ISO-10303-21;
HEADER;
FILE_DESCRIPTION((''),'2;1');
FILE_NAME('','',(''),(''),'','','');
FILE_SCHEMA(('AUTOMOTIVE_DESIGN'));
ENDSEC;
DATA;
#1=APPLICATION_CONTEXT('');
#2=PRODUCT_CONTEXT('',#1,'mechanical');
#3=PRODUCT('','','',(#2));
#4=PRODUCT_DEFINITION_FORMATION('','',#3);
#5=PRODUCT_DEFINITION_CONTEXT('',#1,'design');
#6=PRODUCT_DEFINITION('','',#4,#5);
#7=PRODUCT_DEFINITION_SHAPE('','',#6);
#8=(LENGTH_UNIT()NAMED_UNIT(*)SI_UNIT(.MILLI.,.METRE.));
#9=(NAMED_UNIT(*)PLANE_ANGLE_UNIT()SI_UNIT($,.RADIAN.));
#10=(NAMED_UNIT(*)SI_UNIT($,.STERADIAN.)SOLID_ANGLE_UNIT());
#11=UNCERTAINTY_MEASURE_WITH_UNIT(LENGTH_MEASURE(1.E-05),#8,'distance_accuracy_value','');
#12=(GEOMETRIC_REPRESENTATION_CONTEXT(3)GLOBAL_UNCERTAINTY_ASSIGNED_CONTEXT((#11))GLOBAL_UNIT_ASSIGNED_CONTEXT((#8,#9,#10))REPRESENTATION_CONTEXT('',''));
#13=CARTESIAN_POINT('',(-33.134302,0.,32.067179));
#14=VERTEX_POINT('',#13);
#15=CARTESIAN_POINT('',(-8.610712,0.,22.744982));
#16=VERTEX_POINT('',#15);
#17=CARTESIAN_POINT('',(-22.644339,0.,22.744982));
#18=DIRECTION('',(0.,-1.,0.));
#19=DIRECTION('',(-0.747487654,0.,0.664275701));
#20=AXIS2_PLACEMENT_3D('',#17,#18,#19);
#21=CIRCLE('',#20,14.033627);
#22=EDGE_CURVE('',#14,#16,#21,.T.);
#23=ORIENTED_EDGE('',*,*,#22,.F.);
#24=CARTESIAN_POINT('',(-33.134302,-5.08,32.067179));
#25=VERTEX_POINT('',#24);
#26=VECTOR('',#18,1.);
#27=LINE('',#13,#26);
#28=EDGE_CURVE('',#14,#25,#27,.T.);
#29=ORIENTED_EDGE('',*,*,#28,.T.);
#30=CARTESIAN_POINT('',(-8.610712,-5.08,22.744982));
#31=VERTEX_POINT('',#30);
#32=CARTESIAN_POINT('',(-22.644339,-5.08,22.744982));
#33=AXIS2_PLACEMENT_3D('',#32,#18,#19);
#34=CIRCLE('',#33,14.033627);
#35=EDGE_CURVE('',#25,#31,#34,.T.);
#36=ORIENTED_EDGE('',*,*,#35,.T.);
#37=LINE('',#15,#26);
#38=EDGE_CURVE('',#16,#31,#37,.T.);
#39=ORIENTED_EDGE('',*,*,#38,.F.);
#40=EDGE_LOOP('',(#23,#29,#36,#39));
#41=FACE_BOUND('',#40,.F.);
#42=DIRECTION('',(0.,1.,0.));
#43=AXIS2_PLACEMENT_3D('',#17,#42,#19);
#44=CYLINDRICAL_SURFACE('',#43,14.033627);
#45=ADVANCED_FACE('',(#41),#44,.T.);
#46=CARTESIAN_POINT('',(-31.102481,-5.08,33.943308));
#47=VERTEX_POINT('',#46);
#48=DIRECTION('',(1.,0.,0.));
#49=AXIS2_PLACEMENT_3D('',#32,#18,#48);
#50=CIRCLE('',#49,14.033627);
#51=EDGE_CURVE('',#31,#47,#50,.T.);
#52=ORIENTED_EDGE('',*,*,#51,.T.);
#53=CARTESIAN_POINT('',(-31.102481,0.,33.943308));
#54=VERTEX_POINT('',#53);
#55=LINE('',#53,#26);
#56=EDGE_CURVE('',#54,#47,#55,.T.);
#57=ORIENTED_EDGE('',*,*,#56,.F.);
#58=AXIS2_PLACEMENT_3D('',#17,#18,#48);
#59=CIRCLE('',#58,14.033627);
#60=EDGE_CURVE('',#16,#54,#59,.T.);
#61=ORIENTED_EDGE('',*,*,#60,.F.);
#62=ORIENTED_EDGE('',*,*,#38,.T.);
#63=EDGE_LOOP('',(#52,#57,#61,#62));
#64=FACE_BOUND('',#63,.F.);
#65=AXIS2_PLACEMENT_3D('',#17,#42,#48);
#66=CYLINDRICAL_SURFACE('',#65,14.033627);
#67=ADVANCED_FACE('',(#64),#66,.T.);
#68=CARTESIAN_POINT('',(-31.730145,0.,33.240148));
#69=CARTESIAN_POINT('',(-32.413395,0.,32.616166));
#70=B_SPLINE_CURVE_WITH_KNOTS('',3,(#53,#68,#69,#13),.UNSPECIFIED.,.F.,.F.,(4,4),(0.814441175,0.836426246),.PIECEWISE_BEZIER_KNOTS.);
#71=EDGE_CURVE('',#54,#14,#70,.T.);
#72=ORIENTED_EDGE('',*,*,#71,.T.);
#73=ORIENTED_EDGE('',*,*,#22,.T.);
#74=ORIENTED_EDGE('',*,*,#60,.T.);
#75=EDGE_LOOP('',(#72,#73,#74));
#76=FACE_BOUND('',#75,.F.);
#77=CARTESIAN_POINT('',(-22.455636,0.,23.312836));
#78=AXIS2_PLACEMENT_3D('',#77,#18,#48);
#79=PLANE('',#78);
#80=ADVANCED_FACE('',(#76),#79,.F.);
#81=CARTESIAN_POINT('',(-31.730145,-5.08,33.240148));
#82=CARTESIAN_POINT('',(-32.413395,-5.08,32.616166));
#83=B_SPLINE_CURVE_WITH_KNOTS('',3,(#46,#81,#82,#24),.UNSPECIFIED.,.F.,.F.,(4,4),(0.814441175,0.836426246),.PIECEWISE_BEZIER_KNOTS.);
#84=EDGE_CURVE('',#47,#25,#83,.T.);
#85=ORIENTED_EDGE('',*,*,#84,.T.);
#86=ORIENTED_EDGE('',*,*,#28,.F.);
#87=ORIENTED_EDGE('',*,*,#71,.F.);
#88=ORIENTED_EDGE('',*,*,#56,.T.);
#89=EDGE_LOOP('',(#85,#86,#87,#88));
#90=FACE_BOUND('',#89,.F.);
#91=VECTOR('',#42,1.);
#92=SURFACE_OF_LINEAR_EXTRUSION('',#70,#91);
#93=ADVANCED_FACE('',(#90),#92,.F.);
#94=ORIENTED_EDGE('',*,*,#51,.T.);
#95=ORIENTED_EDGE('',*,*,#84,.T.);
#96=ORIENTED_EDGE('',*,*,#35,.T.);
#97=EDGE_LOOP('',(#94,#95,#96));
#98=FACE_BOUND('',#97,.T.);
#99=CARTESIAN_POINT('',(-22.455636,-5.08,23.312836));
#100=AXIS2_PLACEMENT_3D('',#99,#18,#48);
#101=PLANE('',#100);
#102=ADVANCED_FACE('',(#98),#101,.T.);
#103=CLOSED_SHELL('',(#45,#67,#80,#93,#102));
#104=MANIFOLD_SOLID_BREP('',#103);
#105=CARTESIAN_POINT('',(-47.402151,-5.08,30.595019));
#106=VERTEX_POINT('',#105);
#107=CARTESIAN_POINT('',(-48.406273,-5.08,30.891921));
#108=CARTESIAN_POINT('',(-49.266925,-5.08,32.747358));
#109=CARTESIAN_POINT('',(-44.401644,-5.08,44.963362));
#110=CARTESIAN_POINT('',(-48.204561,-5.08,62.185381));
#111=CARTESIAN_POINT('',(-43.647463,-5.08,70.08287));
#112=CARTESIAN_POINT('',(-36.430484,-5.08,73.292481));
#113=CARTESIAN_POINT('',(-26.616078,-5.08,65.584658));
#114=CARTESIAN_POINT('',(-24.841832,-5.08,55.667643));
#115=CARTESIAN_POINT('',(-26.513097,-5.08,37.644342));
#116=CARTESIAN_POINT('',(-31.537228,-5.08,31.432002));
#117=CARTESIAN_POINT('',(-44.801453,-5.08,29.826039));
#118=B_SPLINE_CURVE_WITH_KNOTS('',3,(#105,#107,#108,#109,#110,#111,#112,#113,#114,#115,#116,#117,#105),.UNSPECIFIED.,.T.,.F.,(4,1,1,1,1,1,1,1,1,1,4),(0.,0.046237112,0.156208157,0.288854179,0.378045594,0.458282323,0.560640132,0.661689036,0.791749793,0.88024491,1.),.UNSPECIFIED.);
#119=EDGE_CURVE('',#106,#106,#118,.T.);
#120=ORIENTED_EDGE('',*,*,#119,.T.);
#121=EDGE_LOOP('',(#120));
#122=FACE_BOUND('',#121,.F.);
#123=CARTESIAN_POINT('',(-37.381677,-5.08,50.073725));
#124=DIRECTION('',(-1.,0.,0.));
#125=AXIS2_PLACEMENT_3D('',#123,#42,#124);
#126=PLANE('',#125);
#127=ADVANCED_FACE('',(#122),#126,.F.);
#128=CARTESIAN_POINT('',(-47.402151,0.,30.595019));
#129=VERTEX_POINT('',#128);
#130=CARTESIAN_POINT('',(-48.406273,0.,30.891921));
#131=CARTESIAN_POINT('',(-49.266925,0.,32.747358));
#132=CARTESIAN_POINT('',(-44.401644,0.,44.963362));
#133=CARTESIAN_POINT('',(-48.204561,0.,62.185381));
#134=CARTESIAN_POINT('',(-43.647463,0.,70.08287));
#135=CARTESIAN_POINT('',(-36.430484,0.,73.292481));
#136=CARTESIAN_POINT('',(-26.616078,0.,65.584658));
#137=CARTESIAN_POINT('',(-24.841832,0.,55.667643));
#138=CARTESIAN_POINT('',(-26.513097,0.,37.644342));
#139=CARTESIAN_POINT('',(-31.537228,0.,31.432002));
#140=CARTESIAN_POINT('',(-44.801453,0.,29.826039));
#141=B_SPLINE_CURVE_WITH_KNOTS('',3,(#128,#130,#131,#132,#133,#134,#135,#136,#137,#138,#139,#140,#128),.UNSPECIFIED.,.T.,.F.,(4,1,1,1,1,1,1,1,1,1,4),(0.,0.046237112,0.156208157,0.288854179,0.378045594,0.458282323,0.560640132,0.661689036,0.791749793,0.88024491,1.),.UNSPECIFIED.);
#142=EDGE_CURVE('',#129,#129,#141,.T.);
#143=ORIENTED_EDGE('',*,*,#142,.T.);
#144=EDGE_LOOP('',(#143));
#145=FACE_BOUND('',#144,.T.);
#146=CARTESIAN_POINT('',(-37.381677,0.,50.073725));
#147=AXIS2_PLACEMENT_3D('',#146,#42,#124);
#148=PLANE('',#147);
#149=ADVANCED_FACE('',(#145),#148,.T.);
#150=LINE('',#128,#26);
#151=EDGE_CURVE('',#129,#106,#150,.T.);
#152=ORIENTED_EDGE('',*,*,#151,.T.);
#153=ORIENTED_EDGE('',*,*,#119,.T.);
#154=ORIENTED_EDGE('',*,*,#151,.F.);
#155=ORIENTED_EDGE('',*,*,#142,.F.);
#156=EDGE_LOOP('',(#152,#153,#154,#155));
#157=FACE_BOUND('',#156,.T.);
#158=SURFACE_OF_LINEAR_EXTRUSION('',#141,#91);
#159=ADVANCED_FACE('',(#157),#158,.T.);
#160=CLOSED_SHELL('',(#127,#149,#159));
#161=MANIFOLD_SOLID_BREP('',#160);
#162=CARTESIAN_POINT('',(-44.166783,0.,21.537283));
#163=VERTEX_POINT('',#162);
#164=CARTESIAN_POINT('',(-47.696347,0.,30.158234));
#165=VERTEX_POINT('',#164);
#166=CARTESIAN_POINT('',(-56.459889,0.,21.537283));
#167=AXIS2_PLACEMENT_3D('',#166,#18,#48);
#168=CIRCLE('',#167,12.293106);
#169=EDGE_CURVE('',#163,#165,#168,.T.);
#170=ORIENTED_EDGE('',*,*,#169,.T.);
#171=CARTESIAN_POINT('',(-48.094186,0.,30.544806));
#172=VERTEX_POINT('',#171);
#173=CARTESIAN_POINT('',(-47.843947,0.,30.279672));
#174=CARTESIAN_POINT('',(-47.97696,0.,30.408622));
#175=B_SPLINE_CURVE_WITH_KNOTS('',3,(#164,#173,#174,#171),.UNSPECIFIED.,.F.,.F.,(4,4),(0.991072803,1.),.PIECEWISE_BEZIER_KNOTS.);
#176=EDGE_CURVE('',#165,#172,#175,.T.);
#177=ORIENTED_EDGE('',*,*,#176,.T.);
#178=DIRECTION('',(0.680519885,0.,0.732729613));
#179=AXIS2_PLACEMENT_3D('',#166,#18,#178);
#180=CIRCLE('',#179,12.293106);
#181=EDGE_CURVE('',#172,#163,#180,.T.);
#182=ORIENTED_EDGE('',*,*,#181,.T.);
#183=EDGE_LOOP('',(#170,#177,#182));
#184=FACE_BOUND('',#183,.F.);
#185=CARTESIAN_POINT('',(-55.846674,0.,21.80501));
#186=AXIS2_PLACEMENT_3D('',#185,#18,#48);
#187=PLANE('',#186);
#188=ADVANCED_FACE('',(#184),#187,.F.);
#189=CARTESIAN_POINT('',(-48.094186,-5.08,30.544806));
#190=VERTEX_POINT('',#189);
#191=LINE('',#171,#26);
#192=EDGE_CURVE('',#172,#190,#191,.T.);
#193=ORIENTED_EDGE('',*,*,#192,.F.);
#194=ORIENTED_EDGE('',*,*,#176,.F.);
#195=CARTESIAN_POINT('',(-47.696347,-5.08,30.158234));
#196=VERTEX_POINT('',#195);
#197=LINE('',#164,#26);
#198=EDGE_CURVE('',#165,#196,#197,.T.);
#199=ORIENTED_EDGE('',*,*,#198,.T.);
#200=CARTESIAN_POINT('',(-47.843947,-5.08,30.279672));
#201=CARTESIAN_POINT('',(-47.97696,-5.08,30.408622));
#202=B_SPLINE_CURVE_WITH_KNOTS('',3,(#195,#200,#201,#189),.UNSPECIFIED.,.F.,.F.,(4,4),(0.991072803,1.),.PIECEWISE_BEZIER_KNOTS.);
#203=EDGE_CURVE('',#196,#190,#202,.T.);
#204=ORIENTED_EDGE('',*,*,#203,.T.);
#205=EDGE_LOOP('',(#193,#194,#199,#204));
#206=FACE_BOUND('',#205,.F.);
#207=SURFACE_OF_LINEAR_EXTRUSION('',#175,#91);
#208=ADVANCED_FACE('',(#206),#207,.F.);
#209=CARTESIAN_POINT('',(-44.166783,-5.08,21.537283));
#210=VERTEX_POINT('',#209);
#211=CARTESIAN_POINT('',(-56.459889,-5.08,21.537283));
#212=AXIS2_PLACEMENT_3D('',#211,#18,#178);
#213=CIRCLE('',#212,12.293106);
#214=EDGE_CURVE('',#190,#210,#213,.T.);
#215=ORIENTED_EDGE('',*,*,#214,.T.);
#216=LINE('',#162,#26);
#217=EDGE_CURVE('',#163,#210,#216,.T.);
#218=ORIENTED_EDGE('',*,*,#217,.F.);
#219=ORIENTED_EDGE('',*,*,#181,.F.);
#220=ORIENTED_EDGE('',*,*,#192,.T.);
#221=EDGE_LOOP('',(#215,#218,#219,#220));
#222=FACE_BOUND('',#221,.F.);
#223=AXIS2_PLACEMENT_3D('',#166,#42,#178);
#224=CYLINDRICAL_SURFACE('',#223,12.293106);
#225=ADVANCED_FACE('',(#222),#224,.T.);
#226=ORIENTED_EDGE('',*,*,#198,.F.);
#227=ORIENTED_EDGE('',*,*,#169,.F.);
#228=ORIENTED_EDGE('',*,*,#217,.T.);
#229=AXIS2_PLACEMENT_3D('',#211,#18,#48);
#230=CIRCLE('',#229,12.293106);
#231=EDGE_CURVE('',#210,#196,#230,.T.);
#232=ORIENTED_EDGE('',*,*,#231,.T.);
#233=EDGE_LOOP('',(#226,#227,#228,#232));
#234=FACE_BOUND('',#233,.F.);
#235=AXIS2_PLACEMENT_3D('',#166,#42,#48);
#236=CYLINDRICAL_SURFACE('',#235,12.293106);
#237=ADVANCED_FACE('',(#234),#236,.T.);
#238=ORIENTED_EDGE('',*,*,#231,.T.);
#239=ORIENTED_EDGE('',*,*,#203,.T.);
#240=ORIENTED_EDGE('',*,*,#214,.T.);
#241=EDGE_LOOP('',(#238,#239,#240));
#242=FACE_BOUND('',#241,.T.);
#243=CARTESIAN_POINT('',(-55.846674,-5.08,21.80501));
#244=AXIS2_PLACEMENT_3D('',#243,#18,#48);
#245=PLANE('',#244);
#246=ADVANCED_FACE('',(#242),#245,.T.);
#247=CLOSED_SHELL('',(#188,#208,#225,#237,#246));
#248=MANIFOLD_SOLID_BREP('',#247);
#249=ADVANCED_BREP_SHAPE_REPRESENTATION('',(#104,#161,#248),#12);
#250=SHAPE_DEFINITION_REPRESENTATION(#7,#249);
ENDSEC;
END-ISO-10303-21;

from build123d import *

# Parameters (mm, degrees)
F2_DEPTH = 5.08


with BuildPart() as f2:
    # F0 (on Front) → F2 (new body)
    with BuildSketch(Plane.XZ):
        with BuildLine():
            add(Edge.make_bspline(
                [(-47.6963467753, 30.1582338896), (-47.8439465798, 30.2796715133), (-47.976959709, 30.4086223349), (-48.0941857104, 30.544806257)],
                knots=[0.9910728034, 0.9910728034, 0.9910728034, 0.9910728034, 1, 1, 1, 1], degree=3))
            ThreePointArc((-48.0941857104, 30.544806257), (-67.7284497513, 16.6240370265), (-44.1667827873, 21.5372834355))
            ThreePointArc((-44.1667827873, 21.5372834355), (-45.0833426062, 26.1950352719), (-47.6963467753, 30.1582338896))
        make_face()
    extrude(amount=F2_DEPTH)


with BuildPart() as f2b:
    # F0 (on Front) → F2, piece 2 (new body)
    with BuildSketch(Plane.XZ):
        with BuildLine():
            add(Edge.make_bspline(
                [(-31.1024809886, 33.9433083131), (-31.7301449624, 33.2401478576), (-32.4133953493, 32.6161659287), (-33.1343020253, 32.0671789499)],
                knots=[0.8144411753, 0.8144411753, 0.8144411753, 0.8144411753, 0.8364262461, 0.8364262461, 0.8364262461, 0.8364262461], degree=3))
            ThreePointArc((-33.1343020253, 32.0671789499), (-27.63084389, 9.6271518818), (-8.6107121744, 22.744981572))
            ThreePointArc((-8.6107121744, 22.744981572), (-16.389569832, 35.3076463589), (-31.1024809886, 33.9433083131))
        make_face()
    extrude(amount=F2_DEPTH)


with BuildPart() as f2c:
    # F1 (on Front) → F2, piece 3 (new body)
    with BuildSketch(Plane.XZ):
        with BuildLine():
            add(Edge.make_bspline(
                [(-47.402150929, 30.5950194597), (-48.406273299, 30.8919207434), (-49.2669246476, 32.7473580648), (-44.4016440946, 44.9633616865), (-48.2045608369, 62.1853811147), (-43.6474632452, 70.0828699394), (-36.4304838187, 73.2924805697), (-26.6160776593, 65.5846582147), (-24.8418319742, 55.6676428134), (-26.5130970793, 37.6443417546), (-31.537228172, 31.4320018474), (-44.8014529387, 29.8260389102), (-47.402150929, 30.5950194597)],
                knots=[0, 0, 0, 0, 0.0462371122, 0.1562081569, 0.2888541791, 0.3780455943, 0.4582823234, 0.5606401319, 0.6616890364, 0.7917497934, 0.8802449101, 1, 1, 1, 1], degree=3))
        make_face()
    extrude(amount=F2_DEPTH)


solid = Compound([f2.part, f2b.part, f2c.part])
